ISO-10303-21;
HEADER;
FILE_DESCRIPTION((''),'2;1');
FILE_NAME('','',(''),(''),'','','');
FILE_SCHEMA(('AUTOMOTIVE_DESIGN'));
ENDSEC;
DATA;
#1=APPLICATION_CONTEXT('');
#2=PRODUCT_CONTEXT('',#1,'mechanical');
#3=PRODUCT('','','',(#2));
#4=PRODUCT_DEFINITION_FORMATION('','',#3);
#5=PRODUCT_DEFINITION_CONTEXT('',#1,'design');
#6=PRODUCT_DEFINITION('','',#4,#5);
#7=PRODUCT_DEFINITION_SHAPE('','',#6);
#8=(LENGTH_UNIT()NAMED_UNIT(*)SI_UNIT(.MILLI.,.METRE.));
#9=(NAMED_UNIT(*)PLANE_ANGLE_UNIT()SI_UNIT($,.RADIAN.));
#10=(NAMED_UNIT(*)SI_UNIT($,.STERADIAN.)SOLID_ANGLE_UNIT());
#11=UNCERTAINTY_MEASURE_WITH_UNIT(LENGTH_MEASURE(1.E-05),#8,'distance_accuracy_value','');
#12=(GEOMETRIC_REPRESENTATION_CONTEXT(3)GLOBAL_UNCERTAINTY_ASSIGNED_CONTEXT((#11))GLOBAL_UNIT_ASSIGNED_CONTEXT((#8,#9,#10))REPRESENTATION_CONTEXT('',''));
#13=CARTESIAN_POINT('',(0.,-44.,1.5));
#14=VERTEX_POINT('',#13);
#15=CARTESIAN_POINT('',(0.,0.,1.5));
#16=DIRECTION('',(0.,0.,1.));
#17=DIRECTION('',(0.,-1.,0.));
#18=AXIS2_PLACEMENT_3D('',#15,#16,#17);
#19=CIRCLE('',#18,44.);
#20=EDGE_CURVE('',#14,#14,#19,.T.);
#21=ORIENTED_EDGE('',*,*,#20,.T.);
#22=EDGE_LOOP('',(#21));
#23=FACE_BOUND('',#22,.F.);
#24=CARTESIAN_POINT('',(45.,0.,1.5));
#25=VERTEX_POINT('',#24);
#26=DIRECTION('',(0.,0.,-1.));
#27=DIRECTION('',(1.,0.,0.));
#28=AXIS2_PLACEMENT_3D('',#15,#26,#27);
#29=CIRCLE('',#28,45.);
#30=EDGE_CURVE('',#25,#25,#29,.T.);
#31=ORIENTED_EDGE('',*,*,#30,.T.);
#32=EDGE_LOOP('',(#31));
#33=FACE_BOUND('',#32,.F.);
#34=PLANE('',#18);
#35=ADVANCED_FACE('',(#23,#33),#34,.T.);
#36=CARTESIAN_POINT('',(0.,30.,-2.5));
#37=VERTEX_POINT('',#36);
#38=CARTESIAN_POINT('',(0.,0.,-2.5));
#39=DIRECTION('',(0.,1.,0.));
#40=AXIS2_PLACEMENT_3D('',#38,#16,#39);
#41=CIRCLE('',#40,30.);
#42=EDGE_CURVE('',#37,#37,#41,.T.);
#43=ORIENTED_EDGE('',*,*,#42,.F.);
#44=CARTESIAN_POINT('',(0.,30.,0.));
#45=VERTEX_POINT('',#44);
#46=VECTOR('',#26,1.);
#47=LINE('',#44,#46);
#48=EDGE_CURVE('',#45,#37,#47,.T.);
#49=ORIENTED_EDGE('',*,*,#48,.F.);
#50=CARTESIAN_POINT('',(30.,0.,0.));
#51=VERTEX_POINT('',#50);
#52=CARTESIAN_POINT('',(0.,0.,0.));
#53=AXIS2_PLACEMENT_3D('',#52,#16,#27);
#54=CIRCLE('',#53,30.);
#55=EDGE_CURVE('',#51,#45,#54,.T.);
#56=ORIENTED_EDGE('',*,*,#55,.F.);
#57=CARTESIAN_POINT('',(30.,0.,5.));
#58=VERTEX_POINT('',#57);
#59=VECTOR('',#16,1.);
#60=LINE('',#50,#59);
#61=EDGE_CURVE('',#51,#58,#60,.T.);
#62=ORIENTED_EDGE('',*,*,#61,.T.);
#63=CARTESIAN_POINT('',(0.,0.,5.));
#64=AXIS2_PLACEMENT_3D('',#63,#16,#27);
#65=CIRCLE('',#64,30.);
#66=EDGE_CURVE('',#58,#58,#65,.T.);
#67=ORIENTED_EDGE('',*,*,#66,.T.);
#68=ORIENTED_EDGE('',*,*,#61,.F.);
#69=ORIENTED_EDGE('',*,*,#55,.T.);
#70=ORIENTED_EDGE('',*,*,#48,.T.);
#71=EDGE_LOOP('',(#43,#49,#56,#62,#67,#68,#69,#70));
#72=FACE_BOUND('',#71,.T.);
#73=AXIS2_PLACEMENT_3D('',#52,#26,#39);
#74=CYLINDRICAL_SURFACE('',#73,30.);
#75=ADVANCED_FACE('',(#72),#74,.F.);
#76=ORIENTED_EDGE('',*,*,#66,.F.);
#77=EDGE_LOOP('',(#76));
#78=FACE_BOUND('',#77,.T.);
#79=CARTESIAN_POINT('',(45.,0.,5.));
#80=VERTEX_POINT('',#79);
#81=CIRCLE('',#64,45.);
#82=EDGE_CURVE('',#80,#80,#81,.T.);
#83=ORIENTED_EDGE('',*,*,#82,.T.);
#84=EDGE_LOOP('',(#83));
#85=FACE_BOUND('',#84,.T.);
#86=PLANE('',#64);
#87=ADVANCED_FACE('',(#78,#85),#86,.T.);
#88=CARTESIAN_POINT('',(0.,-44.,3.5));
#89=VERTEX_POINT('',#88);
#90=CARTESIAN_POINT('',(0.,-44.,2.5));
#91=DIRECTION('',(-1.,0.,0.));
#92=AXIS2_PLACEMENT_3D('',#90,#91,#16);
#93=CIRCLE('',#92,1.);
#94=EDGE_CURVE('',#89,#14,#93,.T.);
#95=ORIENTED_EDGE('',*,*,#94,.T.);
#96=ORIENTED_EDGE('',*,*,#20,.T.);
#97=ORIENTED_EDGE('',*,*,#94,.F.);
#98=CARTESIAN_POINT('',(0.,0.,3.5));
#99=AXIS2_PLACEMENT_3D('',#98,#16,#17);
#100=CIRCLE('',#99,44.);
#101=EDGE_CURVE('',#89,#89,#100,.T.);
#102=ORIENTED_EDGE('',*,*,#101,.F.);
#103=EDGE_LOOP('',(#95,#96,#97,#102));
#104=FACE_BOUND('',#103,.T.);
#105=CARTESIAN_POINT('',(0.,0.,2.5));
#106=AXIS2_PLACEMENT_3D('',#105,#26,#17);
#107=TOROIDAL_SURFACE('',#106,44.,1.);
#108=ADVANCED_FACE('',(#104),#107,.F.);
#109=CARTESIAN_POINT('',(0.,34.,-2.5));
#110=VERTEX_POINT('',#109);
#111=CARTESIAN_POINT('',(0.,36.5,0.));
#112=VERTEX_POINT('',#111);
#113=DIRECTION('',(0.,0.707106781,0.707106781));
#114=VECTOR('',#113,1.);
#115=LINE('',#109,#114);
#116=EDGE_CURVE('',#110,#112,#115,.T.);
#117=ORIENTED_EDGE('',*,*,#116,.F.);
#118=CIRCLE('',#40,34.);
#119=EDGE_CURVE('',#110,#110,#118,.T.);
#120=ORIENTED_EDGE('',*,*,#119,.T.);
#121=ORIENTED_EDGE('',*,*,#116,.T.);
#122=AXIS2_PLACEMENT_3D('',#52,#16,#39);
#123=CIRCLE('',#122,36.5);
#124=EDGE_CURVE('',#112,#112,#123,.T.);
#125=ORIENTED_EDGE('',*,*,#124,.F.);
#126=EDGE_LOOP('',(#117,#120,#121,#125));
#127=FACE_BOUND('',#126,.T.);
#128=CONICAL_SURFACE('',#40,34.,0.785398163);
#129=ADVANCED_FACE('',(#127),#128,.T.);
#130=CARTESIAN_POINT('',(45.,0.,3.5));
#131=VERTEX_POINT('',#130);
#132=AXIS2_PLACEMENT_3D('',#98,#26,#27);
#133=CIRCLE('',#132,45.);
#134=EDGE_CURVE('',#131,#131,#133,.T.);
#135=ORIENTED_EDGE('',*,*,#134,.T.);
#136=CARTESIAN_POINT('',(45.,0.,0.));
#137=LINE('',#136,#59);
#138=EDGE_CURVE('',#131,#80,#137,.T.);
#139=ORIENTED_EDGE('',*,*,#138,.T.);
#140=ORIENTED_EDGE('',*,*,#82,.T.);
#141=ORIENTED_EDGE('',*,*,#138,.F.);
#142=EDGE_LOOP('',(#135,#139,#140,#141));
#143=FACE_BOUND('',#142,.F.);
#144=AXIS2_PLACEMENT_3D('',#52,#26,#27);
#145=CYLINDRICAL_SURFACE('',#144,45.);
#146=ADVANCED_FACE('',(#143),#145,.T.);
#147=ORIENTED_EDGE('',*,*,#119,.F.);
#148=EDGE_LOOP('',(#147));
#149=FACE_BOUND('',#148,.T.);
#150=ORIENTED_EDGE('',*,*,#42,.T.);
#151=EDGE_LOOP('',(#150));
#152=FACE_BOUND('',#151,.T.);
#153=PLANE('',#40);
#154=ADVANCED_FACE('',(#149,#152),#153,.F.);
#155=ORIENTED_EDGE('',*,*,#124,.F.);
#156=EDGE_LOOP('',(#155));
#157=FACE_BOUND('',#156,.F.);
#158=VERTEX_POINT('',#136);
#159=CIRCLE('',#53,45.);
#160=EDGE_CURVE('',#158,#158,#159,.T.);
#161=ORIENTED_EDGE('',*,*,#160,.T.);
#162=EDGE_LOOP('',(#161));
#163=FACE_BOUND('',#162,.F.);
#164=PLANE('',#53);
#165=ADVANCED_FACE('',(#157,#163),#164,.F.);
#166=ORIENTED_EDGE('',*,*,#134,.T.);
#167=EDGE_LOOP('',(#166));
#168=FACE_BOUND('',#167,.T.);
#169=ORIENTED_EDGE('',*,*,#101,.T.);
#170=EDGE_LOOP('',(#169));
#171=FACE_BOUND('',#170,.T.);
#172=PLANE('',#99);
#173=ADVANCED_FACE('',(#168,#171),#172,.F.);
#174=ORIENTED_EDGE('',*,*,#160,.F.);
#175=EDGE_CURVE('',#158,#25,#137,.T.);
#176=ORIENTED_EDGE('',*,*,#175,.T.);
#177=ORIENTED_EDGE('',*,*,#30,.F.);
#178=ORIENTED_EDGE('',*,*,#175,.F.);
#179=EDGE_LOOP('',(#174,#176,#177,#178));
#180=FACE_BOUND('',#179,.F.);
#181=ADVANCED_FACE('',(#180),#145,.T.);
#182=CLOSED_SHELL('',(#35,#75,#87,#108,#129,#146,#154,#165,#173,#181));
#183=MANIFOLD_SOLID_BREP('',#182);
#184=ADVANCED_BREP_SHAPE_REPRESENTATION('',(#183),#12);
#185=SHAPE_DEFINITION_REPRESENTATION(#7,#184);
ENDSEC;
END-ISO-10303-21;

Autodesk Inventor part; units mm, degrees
ref_plane "YZ Plane" through (0, 0, 0) normal (1, 0, 0) x (0, 1, 0)
ref_plane "XZ Plane" through (0, 0, 0) normal (0, 1, 0) x (-1, 0, 0)
ref_plane "XY Plane" through (0, 0, 0) normal (0, 0, 1) x (1, 0, 0)
sketch "Эскиз1" plane through (0, 0, 0) normal (0, 0, 1) x (1, 0, 0)
  circle A0 centre (0, 0) radius 30
  circle A1 centre (0, 0) radius 45
  dimension "d0" = 60
  dimension "d1" = 90
extrude "Выдавливание1" add sketch "Эскиз1" along normal blind 5
sketch "Эскиз2" plane through (0, 0, 0) normal (1, 0, 0) x (0, 1, 0)
  line L0 (-45, 0) -> (-45, 5) projected
  line L1 (0, -0.8) -> (0, 4.8) projected
  line L2 (-45, 0) -> (-45, 5) projected
  line L3 (-45, 2.5) -> (-44, 2.5)
  circle A0 centre (-44, 2.5) radius 1
  line L4 (-44, 3.5) -> (-45, 3.5)
  line L5 (-44, 1.5) -> (-45, 1.5)
  line L6 (-45, 0) -> (-45, 5) projected
  point P0 (0, 0)
  dimension "d6" = 1
  dimension "d7" = 2
revolve "Вращение1" cut sketch "Эскиз2" angle 360 about axis through (0, 0, -10) along (0, 0, 1)
sketch "Эскиз3" plane through (0, 0, 0) normal (1, 0, 0) x (0, 1, 0)
  line L0 (45, 0) -> (-45, 0) projected
  line L1 (30, 0) -> (30, -2.5)
  line L2 (30, -2.5) -> (34, -2.5)
  line L3 (34, -2.5) -> (36.5, 0)
  line L4 (0, -4) -> (0, 6.5) projected
  point P0 (0, 0)
  dimension "d9" = 2.5
  dimension "d10" = 4
  dimension "d11" = 135
revolve "Вращение2" add sketch "Эскиз3" angle 360 about axis through (0, 0, -10) along (0, 0, 1)
properties part number "Кольцо сальника 1" material "Сталь, легированная"
